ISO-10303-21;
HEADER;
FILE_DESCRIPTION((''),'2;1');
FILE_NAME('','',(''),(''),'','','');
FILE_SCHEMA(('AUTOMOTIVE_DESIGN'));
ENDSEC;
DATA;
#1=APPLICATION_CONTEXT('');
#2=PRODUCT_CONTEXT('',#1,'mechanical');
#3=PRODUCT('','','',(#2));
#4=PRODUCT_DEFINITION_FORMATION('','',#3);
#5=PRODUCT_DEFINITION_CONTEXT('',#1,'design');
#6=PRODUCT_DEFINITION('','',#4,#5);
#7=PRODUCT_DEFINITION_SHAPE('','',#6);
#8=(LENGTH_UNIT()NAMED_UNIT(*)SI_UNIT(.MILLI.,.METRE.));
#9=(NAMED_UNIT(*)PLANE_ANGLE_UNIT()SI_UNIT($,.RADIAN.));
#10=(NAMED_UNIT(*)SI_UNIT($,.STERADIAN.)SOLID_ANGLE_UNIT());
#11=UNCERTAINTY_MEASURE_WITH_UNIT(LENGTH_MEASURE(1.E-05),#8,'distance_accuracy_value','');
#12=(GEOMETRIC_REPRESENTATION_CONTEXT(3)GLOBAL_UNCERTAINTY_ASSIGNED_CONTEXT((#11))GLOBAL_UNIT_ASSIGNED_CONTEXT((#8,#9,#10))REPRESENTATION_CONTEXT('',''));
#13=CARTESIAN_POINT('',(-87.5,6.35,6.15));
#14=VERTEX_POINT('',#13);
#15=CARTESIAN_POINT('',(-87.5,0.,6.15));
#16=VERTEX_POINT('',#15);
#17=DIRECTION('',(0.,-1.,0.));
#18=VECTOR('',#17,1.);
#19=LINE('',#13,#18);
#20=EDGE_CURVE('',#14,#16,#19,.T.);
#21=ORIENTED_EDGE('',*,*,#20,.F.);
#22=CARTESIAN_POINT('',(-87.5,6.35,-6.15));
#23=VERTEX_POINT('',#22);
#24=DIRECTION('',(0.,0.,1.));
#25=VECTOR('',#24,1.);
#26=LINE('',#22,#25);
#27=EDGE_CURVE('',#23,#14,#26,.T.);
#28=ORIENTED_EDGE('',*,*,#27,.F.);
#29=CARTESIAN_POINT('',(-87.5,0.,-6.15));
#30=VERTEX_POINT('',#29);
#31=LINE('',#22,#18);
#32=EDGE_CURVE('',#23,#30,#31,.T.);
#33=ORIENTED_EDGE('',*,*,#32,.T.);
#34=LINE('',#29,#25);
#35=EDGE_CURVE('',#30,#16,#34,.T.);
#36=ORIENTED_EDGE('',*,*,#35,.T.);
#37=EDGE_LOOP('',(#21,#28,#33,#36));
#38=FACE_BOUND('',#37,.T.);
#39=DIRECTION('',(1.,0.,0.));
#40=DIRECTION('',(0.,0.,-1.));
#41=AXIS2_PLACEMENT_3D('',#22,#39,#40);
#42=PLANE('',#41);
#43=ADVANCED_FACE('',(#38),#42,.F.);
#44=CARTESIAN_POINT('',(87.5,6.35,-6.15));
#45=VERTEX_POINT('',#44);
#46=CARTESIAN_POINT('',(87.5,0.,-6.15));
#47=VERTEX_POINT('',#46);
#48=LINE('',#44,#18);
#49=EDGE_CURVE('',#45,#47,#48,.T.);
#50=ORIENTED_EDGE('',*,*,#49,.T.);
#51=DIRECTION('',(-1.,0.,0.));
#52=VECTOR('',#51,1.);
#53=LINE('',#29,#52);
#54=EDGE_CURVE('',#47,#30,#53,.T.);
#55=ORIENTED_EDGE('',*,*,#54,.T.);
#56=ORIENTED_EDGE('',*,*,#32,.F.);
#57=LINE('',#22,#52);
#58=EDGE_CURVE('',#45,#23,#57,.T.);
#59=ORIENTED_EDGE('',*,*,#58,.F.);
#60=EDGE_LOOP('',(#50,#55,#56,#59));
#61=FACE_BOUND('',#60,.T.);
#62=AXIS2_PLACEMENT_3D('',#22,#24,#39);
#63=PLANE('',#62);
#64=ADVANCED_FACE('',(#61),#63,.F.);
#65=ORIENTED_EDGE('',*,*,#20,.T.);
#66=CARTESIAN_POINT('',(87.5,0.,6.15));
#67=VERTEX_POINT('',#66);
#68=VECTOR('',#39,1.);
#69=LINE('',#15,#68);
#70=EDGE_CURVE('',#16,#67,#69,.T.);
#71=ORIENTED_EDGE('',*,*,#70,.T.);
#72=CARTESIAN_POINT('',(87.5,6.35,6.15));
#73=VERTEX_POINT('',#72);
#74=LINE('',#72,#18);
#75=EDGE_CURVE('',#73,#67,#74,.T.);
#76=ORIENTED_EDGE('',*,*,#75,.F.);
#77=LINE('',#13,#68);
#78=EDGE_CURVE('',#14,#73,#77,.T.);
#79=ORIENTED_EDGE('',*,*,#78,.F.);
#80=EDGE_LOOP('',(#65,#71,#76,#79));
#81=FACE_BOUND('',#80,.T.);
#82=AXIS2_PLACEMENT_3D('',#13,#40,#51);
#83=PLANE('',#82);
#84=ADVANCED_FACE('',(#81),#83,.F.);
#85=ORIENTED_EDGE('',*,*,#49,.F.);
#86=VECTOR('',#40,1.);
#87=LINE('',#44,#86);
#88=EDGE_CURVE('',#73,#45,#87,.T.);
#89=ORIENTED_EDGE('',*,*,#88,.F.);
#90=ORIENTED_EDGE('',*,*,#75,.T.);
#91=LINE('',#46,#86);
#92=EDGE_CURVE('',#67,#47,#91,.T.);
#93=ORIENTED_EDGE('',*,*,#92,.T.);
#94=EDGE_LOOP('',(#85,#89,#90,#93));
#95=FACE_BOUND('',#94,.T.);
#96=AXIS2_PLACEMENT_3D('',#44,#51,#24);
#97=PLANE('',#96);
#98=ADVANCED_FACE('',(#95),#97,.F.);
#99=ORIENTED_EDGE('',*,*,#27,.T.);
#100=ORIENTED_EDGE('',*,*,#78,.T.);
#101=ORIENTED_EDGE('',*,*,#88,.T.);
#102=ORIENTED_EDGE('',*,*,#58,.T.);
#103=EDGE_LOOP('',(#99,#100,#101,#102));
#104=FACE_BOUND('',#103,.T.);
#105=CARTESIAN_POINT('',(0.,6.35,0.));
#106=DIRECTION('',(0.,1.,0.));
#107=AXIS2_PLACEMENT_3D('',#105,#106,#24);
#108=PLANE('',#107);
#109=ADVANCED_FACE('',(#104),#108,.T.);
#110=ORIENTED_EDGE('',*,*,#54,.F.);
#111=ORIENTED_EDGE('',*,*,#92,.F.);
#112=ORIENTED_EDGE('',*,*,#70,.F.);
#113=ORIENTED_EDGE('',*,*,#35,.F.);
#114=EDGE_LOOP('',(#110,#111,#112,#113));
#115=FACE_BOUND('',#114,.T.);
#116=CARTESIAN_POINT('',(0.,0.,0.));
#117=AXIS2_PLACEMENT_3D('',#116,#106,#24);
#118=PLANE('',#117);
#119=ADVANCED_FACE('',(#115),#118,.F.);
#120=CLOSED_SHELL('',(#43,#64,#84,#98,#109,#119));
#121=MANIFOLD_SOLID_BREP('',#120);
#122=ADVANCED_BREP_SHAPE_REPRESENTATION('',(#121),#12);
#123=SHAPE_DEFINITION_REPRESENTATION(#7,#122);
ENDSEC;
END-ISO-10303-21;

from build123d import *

# Parameters (mm, degrees)
ESQUISSE1_W        = 175
ESQUISSE1_H        = 12.3
BOSS_EXTRU_1_DEPTH = 6.35


with BuildPart() as part:
    # Esquisse1 → Boss.-Extru.1 (new body)
    with BuildSketch(Plane(origin=(0, 0, 0), x_dir=(1, 0, 0), z_dir=(0, 1, 0))):
        Rectangle(ESQUISSE1_W, ESQUISSE1_H)
    extrude(amount=BOSS_EXTRU_1_DEPTH)


solid = part.part
